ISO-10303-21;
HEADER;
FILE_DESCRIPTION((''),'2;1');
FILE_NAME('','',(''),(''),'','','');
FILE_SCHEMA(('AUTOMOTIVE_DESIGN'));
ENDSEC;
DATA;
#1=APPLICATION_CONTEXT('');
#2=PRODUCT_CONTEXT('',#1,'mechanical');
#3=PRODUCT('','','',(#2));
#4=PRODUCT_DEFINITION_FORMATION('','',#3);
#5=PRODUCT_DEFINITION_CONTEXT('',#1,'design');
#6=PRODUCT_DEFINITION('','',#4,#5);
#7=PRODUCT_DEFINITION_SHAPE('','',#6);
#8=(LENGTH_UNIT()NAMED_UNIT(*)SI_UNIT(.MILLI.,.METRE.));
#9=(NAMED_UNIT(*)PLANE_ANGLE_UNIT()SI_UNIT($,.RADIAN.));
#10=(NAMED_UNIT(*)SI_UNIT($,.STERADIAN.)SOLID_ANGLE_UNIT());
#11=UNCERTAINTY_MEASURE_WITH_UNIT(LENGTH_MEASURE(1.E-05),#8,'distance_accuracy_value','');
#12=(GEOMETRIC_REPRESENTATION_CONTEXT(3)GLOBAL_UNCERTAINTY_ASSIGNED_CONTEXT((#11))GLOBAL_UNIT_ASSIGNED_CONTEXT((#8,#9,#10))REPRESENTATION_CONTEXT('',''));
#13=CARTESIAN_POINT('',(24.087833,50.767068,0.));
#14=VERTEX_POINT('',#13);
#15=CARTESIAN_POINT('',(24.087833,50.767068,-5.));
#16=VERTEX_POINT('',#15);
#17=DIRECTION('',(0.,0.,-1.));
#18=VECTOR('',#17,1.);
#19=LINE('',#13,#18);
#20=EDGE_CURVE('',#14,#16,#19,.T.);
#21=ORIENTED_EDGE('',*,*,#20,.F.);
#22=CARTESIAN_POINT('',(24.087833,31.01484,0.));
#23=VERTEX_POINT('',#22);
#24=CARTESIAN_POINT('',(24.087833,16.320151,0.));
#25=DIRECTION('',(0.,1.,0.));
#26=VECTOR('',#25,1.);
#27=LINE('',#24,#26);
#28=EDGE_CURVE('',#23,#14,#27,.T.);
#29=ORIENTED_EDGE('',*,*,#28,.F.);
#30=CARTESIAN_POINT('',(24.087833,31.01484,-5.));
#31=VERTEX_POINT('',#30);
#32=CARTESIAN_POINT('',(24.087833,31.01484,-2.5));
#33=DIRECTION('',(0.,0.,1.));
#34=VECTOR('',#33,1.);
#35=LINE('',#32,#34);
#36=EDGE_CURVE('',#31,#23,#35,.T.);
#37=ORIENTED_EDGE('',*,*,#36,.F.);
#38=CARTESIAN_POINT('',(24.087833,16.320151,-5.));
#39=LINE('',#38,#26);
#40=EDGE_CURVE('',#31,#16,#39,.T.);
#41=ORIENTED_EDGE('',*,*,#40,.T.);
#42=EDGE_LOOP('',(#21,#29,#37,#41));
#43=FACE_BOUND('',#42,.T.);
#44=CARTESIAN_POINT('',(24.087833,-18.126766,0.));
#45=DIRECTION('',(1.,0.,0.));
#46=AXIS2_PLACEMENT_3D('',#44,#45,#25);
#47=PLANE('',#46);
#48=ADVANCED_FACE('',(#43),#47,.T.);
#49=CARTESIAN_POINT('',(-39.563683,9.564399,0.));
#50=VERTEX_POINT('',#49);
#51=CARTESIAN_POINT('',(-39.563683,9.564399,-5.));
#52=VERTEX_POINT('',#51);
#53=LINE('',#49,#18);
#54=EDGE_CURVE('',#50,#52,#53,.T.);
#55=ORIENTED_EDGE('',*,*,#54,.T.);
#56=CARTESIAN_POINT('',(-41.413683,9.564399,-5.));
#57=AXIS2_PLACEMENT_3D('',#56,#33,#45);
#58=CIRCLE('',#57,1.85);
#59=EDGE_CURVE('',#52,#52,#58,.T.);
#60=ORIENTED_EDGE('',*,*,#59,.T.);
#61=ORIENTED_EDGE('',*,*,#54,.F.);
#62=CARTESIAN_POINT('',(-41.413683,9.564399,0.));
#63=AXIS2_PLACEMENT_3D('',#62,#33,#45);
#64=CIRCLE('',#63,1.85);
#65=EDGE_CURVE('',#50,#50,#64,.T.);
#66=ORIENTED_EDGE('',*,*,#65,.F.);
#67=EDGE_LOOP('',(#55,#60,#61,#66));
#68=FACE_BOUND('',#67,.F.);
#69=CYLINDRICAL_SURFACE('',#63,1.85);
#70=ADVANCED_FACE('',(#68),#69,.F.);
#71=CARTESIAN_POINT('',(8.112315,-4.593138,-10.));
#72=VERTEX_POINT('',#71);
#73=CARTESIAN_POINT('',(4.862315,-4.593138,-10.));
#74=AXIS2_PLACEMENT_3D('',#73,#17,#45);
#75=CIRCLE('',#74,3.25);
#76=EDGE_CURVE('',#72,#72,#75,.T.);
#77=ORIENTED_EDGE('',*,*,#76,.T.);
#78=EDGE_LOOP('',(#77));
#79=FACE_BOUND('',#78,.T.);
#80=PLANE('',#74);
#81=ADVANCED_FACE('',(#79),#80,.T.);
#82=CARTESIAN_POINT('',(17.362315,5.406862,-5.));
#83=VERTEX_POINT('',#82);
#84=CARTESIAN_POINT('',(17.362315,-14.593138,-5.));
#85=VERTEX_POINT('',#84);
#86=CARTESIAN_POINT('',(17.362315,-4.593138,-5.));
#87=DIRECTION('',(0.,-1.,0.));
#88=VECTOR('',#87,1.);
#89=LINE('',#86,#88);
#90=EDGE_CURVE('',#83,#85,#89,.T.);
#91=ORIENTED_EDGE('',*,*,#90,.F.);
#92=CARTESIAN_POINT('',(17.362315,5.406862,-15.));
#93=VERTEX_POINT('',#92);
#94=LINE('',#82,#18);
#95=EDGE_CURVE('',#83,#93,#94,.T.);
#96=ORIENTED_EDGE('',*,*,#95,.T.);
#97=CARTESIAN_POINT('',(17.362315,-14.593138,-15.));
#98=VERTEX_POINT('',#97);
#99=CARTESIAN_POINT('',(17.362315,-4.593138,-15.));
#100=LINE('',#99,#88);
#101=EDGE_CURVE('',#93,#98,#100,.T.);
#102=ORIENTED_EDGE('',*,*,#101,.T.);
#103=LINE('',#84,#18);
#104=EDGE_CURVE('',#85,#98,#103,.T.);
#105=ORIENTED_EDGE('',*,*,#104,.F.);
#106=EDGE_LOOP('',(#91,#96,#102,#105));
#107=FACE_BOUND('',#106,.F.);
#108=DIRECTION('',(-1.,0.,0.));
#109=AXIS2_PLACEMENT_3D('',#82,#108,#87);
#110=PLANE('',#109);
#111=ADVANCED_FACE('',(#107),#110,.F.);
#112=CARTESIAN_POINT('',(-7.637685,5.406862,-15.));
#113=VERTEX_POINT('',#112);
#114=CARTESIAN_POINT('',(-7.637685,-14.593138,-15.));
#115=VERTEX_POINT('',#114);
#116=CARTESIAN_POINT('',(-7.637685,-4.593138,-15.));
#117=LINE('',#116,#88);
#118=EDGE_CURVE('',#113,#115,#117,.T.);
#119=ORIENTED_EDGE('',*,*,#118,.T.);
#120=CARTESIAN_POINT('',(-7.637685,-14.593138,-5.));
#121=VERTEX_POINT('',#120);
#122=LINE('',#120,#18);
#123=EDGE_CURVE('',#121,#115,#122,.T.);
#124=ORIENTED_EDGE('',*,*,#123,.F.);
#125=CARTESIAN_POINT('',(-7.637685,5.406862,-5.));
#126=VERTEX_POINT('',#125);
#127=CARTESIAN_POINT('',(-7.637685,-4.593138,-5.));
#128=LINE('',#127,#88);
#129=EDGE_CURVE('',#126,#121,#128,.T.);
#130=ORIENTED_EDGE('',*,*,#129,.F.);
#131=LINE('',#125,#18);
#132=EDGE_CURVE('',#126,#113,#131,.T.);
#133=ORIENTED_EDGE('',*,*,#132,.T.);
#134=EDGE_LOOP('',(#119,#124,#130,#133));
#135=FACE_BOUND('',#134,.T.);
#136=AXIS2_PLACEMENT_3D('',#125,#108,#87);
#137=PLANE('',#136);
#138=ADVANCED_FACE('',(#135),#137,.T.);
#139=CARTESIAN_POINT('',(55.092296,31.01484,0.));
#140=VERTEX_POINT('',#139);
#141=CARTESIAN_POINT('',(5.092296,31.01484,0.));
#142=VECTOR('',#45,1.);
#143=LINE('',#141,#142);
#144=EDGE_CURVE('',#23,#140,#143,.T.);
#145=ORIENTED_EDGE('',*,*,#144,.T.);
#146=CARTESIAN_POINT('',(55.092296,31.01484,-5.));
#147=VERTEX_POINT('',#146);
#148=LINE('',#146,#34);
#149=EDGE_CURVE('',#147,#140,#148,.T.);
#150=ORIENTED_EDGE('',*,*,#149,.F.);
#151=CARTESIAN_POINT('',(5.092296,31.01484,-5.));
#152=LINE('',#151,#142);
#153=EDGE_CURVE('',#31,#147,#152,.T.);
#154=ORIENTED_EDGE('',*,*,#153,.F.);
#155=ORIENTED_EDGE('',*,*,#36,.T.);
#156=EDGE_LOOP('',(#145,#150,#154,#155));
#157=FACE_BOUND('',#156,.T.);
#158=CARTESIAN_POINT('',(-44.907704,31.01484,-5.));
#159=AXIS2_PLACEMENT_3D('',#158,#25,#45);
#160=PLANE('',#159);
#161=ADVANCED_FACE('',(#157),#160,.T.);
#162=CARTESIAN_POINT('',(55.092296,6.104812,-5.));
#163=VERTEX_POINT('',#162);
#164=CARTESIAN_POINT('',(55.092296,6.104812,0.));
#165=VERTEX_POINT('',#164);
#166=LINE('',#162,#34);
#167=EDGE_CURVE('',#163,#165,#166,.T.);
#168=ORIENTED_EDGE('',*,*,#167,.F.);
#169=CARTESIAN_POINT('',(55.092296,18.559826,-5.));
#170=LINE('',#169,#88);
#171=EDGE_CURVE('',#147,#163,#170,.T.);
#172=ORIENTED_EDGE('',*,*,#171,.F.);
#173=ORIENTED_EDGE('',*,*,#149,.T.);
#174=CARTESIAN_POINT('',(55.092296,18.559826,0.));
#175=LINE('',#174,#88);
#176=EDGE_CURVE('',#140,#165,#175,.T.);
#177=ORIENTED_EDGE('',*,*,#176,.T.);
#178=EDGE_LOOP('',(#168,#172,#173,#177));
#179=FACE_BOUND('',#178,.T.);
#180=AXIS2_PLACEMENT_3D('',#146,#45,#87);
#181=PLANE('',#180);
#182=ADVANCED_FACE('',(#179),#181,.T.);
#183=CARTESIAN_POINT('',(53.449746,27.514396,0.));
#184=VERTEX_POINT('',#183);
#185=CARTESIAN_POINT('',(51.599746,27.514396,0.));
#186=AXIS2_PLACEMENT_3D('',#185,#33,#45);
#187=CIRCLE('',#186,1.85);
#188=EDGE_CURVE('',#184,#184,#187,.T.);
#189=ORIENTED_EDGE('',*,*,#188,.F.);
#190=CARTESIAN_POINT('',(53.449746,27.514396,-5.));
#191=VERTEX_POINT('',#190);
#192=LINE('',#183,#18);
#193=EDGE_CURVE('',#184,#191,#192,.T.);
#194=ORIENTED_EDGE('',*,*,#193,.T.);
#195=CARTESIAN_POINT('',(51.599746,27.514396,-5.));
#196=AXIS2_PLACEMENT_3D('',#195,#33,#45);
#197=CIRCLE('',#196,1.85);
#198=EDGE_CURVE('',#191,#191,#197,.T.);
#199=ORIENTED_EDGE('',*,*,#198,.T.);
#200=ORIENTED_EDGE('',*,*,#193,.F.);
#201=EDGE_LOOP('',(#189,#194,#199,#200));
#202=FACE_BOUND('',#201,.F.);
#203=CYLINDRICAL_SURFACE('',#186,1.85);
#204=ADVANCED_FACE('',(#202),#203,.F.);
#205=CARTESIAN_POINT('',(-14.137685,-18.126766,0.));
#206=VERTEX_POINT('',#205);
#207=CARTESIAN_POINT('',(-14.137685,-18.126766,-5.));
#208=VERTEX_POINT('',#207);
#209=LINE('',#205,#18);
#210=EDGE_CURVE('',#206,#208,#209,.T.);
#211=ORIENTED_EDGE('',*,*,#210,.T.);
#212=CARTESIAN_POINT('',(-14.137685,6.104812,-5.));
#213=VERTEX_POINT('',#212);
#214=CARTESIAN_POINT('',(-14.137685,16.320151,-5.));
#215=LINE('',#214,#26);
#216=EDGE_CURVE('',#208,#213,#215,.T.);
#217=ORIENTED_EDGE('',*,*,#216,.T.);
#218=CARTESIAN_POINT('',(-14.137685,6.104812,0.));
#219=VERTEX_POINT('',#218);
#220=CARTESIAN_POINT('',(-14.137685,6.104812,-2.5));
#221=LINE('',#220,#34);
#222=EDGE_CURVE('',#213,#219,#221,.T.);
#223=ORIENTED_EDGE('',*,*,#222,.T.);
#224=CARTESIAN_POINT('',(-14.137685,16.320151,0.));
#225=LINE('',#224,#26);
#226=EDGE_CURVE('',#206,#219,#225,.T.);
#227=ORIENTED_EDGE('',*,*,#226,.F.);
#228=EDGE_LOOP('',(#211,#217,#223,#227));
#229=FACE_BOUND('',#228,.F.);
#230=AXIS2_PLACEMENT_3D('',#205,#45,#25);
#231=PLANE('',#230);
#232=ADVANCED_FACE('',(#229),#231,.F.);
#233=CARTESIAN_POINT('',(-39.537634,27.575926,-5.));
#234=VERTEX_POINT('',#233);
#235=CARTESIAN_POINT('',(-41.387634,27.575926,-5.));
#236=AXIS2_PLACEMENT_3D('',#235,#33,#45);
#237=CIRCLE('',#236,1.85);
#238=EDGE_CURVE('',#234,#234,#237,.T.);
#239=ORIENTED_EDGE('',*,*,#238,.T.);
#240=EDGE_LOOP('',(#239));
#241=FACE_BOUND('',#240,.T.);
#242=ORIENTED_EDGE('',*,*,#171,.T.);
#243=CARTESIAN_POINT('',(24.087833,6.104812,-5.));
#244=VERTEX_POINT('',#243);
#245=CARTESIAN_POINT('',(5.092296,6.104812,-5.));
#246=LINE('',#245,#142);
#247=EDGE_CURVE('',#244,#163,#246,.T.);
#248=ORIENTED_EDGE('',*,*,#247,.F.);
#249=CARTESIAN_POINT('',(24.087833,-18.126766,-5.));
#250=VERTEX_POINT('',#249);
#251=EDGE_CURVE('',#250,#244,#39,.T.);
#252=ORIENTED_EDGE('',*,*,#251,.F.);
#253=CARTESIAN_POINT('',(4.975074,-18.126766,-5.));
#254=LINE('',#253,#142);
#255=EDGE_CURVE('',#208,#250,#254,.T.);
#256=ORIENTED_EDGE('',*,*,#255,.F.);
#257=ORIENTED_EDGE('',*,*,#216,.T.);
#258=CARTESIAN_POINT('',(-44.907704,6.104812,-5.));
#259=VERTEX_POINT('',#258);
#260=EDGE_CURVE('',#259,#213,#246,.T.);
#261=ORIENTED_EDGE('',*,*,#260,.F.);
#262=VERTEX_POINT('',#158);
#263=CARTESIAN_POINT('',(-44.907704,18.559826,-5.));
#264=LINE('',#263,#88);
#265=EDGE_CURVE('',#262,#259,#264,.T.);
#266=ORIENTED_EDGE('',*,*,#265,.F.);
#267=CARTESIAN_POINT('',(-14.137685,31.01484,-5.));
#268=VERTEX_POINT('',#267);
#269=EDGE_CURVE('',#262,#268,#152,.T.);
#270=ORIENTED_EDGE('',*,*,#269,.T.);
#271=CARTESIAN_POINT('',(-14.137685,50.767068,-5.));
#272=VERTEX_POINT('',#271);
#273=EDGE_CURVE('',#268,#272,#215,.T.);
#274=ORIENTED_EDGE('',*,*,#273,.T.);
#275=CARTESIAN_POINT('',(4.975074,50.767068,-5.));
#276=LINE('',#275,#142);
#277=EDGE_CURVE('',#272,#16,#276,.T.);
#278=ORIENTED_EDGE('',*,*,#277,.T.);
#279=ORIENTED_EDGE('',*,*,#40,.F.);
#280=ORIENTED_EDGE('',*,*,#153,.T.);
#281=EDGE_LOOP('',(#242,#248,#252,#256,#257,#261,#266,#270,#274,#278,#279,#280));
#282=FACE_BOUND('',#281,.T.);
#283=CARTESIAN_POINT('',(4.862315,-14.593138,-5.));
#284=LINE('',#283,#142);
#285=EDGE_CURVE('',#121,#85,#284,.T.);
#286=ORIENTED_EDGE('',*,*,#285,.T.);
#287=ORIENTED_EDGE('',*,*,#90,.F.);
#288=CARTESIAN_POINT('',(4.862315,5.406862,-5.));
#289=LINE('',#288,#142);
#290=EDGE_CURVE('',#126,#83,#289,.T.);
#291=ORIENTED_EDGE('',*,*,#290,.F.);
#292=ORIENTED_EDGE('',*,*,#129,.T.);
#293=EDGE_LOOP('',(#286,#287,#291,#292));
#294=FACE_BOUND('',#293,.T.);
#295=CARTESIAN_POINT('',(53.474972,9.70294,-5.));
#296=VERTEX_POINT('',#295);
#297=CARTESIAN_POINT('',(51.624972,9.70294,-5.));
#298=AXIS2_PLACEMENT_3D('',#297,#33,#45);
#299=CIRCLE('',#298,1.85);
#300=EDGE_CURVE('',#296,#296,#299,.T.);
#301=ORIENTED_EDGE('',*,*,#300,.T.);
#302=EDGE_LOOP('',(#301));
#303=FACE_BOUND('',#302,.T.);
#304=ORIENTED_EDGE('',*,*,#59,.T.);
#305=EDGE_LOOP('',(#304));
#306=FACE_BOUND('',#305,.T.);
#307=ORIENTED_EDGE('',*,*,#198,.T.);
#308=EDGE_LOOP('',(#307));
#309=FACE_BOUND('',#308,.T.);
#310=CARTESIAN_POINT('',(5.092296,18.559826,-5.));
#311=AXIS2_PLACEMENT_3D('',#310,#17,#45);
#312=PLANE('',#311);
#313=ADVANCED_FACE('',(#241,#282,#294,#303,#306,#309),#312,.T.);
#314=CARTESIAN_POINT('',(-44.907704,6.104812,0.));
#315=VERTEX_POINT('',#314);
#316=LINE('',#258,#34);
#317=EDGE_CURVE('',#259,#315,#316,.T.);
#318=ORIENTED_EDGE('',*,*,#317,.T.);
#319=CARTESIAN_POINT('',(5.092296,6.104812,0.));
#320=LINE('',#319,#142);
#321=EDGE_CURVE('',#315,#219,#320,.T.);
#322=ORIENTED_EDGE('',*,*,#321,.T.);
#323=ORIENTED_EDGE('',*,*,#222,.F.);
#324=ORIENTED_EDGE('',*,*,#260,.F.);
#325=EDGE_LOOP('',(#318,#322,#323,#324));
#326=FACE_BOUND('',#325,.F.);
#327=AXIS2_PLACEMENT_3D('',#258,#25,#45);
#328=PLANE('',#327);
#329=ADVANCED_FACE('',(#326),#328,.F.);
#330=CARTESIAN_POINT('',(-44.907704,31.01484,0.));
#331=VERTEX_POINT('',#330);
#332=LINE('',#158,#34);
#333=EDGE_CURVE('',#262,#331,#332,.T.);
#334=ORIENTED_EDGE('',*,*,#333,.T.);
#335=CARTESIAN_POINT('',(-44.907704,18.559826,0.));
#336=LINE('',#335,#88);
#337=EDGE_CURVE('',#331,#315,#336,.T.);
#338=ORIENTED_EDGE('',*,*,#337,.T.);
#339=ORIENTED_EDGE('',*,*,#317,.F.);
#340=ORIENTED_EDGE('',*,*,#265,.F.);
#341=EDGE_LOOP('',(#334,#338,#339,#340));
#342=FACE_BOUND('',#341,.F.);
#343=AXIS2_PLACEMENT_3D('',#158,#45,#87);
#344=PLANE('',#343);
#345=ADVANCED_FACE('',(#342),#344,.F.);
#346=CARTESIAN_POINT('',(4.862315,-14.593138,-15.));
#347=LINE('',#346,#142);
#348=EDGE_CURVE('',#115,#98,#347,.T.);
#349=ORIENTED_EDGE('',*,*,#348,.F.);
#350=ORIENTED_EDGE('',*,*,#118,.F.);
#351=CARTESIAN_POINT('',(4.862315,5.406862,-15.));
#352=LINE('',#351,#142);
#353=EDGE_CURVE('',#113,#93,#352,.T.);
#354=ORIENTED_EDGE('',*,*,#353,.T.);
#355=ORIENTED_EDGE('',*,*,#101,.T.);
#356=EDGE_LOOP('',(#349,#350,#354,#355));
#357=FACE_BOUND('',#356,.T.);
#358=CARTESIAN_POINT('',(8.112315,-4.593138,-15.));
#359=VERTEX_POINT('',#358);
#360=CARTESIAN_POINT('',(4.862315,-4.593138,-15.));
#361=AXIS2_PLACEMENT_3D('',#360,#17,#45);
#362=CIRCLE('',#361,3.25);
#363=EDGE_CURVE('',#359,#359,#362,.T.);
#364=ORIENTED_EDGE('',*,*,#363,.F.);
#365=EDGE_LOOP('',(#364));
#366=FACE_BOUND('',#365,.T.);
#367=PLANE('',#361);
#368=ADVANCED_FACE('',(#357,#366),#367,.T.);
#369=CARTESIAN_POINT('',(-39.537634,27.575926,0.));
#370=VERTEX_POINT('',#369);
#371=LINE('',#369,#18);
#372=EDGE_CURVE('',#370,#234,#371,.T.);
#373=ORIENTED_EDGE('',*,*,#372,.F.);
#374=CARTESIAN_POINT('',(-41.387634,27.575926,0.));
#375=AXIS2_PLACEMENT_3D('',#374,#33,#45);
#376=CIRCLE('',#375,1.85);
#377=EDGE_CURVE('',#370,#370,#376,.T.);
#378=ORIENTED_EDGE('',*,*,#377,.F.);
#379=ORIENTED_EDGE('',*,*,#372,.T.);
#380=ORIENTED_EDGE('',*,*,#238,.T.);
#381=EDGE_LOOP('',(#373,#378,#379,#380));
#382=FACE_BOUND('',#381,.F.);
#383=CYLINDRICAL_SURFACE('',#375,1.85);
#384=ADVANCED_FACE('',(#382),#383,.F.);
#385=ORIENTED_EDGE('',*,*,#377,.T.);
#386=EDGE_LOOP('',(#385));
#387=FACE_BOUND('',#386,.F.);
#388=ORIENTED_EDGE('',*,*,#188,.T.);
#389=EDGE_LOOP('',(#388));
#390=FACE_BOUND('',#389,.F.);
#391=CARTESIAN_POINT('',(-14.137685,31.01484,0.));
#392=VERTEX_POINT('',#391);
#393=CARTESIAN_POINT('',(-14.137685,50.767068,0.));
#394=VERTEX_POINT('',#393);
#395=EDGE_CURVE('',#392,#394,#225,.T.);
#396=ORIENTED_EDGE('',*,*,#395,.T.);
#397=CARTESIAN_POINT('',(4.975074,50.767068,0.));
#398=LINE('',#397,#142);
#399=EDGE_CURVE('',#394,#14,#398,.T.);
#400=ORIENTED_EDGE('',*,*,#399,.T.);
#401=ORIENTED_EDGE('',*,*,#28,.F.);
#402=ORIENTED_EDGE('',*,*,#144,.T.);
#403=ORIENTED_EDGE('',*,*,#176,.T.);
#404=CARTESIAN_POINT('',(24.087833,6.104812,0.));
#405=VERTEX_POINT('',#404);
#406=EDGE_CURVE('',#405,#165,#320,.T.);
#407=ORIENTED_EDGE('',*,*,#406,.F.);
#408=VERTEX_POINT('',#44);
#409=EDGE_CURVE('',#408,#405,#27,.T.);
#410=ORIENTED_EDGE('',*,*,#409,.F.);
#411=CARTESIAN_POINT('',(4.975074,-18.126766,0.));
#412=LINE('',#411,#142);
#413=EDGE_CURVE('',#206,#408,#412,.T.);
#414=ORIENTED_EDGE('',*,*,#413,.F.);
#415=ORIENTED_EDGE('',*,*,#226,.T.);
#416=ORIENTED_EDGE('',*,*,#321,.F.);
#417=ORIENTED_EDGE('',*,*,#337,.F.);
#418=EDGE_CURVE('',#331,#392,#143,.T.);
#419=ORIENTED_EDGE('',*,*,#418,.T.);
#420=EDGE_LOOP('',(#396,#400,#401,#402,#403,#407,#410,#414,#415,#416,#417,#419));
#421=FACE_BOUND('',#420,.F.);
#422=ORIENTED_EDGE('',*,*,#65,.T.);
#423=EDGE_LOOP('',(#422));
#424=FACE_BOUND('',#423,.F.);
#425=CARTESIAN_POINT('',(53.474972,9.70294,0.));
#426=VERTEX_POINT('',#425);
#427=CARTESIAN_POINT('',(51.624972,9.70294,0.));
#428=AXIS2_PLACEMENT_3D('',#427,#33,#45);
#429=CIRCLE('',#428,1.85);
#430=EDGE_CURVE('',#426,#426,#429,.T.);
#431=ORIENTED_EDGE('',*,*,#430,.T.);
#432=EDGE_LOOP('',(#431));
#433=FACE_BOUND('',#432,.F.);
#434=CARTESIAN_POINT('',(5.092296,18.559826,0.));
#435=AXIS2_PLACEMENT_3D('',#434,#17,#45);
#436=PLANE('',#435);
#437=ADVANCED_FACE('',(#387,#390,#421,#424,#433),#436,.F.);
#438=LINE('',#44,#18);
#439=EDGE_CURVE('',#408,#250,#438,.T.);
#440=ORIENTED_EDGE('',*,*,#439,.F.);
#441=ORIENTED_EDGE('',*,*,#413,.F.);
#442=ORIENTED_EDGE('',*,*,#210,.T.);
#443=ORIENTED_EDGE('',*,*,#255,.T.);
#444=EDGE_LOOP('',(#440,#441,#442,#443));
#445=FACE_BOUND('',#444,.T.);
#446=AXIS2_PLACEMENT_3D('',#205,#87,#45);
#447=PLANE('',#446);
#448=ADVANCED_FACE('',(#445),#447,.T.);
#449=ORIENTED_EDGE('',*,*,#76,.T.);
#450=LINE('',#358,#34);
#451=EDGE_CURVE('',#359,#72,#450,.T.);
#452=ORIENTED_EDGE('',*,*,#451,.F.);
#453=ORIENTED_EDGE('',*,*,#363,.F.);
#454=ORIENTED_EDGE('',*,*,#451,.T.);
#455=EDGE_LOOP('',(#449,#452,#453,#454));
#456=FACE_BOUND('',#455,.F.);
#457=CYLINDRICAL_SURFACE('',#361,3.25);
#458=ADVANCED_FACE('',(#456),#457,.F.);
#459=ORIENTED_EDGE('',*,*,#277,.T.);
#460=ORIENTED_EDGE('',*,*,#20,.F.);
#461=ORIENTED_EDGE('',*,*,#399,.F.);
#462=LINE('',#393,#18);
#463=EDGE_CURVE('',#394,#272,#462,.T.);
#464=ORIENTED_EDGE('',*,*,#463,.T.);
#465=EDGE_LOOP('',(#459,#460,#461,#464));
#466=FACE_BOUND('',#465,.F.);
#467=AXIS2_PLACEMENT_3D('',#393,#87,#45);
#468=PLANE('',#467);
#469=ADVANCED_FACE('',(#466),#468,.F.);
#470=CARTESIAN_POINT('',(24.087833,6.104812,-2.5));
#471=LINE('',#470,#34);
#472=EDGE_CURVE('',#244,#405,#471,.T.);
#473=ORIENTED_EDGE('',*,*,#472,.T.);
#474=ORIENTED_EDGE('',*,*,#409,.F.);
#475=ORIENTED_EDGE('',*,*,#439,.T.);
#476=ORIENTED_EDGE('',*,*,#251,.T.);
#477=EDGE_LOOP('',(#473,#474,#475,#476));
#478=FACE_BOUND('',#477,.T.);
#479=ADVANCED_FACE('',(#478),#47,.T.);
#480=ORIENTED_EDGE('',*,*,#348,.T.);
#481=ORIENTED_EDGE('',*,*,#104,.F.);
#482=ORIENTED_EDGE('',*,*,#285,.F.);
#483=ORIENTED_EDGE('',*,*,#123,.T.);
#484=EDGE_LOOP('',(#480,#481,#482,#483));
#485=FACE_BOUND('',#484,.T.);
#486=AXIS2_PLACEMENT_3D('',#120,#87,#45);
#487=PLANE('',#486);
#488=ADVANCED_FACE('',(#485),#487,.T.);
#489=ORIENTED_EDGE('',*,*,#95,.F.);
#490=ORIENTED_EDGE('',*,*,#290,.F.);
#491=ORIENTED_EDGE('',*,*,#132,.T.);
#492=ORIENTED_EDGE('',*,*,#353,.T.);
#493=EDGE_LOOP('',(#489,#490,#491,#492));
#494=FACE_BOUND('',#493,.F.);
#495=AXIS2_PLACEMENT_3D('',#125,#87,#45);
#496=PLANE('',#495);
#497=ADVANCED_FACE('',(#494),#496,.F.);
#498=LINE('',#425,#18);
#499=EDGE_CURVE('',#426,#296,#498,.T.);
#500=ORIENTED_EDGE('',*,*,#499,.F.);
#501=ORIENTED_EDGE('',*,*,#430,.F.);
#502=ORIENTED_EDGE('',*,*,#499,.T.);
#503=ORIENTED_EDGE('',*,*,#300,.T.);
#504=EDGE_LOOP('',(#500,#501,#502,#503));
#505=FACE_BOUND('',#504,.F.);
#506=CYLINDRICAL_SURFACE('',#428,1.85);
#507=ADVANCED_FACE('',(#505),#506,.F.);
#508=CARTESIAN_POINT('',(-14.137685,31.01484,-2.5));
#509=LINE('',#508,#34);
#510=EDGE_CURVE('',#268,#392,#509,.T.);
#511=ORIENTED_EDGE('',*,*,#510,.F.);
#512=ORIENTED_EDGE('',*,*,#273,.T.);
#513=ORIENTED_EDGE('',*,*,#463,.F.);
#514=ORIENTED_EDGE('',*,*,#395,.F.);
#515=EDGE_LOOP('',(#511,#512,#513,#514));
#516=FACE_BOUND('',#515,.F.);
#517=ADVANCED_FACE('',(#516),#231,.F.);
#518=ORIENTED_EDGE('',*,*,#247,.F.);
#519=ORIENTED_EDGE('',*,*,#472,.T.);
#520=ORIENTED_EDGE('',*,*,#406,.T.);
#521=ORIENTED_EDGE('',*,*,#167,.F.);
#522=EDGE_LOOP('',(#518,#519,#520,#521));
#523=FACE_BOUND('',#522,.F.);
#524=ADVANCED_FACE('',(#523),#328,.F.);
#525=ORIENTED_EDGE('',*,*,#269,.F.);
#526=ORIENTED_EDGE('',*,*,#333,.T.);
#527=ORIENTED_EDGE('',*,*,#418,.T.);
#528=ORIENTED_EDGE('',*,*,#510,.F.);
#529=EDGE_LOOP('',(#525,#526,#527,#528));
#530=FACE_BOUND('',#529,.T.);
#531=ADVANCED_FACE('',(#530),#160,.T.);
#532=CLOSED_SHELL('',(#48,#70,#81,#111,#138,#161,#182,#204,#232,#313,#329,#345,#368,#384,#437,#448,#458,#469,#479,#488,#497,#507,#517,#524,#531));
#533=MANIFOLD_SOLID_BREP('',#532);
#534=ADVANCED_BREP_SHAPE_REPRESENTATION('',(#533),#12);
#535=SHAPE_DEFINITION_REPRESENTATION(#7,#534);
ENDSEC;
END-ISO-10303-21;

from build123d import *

# Parameters (mm, degrees)
F0_W     = 38.225519
F0_H     = 68.893833
F1_DEPTH = 5
F2_W     = 100
F2_H     = 24.910029
F3_DEPTH = 5
F4_R     = 1.85
F5_DEPTH = 25.4
F6_W     = 25
F6_H     = 20
F7_DEPTH = 10
F8_R     = 3.25
F9_DEPTH = 5


with BuildPart() as f1:
    # F0 (on Top) → F1 (new body)
    with BuildSketch(Plane.XY):
        with Locations((4.975074, 16.320151)):
            Rectangle(F0_W, F0_H)
    extrude(amount=-F1_DEPTH)

    # F2 (on face) → F3 (join)
    with BuildSketch(Plane(origin=(0, 0, -5), x_dir=(1, 0, 0), z_dir=(0, 0, -1))):
        with Locations((5.092296, -18.559826)):
            Rectangle(F2_W, F2_H)
    extrude(amount=-F3_DEPTH)

    # F4 (on face) → F5 (cut)
    with BuildSketch(Plane.XY):
        with Locations((-41.387634, 27.575926)):
            Circle(F4_R)
        with Locations((51.599746, 27.514396)):
            Circle(F4_R)
        with Locations((-41.413683, 9.564399)):
            Circle(F4_R)
        with Locations((51.624972, 9.70294)):
            Circle(F4_R)
    extrude(amount=-F5_DEPTH, mode=Mode.SUBTRACT)

    # F6 (on face) → F7 (join)
    with BuildSketch(Plane(origin=(0, 0, -5), x_dir=(1, 0, 0), z_dir=(0, 0, -1))):
        with Locations((4.862315, 4.593138)):
            Rectangle(F6_W, F6_H)
    extrude(amount=F7_DEPTH)

    # F8 (on face) → F9 (cut)
    with BuildSketch(Plane(origin=(0, 0, -15), x_dir=(1, 0, 0), z_dir=(0, 0, -1))):
        with Locations((4.862315, 4.593138)):
            Circle(F8_R)
    extrude(amount=-F9_DEPTH, mode=Mode.SUBTRACT)


solid = f1.part
